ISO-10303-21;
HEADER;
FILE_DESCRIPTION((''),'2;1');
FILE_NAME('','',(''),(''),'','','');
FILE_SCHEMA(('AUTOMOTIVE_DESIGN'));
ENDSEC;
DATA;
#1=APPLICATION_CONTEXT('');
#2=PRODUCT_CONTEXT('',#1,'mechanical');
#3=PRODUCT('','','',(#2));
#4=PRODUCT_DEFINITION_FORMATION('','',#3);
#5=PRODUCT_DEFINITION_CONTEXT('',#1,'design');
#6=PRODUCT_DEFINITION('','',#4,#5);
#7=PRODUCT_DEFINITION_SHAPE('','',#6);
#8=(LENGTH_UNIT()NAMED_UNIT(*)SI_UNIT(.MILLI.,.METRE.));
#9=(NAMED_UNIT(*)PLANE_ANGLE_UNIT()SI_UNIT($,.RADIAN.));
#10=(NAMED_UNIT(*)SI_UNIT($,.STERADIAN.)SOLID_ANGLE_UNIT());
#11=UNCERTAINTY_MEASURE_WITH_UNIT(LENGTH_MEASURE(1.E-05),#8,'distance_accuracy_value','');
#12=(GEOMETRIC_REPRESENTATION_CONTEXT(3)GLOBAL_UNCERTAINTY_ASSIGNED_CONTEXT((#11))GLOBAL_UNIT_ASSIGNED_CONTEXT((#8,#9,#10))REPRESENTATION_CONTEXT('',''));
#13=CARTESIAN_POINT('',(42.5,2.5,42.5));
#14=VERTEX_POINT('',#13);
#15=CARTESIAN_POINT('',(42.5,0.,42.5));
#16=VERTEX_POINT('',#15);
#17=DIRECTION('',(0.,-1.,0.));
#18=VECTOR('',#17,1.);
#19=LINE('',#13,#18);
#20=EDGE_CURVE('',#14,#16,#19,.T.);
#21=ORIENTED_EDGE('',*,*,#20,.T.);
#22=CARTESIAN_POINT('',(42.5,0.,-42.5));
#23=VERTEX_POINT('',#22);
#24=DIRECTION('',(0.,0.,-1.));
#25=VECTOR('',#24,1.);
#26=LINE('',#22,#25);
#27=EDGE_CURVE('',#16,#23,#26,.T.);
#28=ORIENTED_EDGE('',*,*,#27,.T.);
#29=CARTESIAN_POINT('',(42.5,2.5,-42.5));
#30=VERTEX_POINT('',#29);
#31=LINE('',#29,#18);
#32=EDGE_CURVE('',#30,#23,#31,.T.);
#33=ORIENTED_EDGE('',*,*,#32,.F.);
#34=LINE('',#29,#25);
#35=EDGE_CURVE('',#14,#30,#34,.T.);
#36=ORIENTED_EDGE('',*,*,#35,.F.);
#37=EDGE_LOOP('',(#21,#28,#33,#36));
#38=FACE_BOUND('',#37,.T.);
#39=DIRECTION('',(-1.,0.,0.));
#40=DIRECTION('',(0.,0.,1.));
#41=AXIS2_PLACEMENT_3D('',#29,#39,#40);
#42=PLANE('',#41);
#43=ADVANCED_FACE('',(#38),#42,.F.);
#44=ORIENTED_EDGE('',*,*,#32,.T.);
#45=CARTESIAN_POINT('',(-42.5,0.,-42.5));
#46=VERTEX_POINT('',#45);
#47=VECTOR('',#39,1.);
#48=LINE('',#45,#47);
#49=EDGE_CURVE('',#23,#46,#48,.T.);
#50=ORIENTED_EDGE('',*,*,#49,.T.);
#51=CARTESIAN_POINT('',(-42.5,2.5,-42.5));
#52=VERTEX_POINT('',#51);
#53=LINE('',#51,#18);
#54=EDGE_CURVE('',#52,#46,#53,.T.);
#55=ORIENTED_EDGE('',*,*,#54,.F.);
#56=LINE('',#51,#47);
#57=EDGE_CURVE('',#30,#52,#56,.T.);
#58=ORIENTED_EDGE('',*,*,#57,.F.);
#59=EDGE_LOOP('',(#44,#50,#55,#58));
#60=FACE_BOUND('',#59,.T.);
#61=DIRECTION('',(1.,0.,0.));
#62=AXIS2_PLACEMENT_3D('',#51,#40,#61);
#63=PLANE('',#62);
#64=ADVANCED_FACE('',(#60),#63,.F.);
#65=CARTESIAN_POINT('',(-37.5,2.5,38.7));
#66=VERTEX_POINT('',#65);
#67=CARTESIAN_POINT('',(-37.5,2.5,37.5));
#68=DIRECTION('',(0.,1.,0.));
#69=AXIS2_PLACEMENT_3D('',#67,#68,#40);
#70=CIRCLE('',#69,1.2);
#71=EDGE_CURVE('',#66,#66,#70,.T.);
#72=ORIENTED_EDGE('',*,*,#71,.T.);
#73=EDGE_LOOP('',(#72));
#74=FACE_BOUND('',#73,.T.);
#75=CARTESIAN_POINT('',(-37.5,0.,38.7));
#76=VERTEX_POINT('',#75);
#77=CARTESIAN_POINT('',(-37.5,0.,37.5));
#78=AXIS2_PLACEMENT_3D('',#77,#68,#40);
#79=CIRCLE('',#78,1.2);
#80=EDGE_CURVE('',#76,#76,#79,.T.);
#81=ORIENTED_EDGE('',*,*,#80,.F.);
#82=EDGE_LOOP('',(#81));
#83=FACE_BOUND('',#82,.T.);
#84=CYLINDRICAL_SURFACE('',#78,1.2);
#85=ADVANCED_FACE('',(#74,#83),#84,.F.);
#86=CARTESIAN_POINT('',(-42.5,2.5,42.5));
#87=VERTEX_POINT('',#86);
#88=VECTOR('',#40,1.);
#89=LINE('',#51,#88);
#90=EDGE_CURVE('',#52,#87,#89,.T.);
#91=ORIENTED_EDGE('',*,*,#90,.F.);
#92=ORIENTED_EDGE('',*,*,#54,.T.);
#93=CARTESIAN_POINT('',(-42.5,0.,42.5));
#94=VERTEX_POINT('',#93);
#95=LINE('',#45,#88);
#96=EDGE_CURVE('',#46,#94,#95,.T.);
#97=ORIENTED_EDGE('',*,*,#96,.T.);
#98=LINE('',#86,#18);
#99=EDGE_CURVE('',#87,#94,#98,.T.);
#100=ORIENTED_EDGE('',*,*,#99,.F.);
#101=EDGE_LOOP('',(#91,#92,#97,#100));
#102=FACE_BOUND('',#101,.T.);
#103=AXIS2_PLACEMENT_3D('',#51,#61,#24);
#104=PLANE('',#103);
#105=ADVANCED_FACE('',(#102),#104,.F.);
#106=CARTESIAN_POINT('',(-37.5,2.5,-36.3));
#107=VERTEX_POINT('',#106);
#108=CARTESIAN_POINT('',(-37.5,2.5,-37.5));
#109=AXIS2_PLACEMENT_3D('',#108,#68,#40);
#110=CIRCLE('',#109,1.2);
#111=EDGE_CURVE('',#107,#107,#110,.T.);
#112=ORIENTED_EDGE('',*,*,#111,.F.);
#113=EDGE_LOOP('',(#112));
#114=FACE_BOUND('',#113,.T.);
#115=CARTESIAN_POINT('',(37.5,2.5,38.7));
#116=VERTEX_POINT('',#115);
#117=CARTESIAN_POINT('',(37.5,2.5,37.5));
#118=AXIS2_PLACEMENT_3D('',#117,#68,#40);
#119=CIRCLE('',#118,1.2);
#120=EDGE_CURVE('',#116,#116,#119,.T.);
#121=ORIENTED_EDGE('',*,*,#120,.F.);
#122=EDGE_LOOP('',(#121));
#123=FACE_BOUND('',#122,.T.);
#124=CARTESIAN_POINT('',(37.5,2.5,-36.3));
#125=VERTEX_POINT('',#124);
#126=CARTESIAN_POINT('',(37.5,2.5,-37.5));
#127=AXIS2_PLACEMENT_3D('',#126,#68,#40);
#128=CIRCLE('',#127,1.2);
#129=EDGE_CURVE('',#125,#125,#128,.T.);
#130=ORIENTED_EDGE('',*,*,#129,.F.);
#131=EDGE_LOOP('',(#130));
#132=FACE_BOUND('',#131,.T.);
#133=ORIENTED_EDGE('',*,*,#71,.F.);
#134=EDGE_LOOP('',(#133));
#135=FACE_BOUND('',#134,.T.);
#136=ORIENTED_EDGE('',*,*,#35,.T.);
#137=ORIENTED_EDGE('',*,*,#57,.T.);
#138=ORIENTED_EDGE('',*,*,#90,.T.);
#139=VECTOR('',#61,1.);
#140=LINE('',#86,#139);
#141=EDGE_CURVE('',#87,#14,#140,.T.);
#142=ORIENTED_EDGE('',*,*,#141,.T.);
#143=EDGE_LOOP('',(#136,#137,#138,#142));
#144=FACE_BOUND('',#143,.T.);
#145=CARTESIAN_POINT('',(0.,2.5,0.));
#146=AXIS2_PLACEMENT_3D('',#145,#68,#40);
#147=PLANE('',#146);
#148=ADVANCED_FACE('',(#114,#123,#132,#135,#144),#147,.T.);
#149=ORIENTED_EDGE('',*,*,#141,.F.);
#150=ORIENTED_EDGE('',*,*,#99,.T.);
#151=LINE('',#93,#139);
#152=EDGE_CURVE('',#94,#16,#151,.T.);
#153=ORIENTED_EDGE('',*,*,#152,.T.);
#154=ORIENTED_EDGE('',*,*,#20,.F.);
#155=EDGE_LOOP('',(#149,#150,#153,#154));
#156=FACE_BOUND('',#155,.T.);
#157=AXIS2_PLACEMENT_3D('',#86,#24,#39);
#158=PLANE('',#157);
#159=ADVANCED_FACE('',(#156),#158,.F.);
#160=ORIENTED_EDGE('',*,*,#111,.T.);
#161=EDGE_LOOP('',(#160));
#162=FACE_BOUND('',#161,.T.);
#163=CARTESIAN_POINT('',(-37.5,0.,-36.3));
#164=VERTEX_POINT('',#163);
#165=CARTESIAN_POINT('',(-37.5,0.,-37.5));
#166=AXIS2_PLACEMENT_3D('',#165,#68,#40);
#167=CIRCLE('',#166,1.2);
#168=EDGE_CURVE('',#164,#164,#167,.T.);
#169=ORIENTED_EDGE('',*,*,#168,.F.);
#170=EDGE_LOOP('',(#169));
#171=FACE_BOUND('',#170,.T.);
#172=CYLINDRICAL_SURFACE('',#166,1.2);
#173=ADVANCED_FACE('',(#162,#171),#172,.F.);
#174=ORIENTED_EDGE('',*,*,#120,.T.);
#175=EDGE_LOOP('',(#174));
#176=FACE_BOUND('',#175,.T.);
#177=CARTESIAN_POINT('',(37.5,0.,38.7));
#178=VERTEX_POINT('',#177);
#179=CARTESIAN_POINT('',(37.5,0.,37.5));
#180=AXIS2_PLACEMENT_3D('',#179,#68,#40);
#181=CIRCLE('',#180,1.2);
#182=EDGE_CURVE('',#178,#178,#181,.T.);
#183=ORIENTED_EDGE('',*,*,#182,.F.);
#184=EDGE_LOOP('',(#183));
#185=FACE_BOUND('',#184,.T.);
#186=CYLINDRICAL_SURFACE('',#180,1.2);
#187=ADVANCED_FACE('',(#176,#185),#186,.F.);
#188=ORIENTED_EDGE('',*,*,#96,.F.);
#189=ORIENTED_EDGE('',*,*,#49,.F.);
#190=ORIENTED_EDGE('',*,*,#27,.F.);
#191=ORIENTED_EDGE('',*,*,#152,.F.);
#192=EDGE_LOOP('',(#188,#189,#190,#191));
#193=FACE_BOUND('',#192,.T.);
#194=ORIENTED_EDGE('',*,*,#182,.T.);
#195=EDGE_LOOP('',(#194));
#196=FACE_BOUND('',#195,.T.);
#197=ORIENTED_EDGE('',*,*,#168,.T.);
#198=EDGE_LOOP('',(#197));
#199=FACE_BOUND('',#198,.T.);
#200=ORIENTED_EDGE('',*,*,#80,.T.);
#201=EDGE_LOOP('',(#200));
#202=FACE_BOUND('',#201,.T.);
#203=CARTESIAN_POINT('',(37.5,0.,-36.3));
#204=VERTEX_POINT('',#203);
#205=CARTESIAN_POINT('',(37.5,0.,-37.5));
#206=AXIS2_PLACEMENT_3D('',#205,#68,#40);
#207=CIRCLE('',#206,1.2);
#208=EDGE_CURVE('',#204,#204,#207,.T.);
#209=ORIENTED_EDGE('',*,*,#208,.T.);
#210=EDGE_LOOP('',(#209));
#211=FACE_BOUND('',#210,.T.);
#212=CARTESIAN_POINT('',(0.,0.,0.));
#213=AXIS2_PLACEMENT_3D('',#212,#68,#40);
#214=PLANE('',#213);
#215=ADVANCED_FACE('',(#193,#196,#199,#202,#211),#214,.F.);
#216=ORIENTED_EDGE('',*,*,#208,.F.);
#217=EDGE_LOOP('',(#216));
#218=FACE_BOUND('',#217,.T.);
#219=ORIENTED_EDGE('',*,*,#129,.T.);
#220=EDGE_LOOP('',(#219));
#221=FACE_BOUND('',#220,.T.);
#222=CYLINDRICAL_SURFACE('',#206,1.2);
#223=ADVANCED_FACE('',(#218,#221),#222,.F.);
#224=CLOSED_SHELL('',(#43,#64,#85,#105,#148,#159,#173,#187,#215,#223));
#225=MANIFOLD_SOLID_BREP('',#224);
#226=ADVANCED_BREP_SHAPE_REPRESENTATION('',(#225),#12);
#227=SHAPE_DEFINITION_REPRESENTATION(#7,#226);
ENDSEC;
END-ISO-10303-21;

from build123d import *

# Parameters (mm, degrees)
SKETCH1_W           = 85
SKETCH1_H           = 85
BOSS_EXTRUDE1_DEPTH = 2.5
SKETCH2_R           = 1.2
CUT_EXTRUDE3_DEPTH  = 61.156047078


with BuildPart() as part:
    # Sketch1 → Boss-Extrude1 (new body)
    with BuildSketch(Plane(origin=(0, 0, 0), x_dir=(1, 0, 0), z_dir=(0, 1, 0))):
        Rectangle(SKETCH1_W, SKETCH1_H)
    extrude(amount=BOSS_EXTRUDE1_DEPTH)

    # Sketch2 → Cut-Extrude3 (cut, through all)
    with BuildSketch(Plane(origin=(0, 2.5, 0), x_dir=(1, 0, 0), z_dir=(0, 1, 0))):
        with Locations(Location((-37.5, 37.5, 0), (0, 0, 270))):
            Circle(SKETCH2_R)
        with Locations(Location((37.5, 37.5, 0), (0, 0, 270))):
            Circle(SKETCH2_R)
        with Locations(Location((37.5, -37.5, 0), (0, 0, 270))):
            Circle(SKETCH2_R)
        with Locations(Location((-37.5, -37.5, 0), (0, 0, 270))):
            Circle(SKETCH2_R)
    extrude(amount=-CUT_EXTRUDE3_DEPTH, mode=Mode.SUBTRACT)


solid = part.part
